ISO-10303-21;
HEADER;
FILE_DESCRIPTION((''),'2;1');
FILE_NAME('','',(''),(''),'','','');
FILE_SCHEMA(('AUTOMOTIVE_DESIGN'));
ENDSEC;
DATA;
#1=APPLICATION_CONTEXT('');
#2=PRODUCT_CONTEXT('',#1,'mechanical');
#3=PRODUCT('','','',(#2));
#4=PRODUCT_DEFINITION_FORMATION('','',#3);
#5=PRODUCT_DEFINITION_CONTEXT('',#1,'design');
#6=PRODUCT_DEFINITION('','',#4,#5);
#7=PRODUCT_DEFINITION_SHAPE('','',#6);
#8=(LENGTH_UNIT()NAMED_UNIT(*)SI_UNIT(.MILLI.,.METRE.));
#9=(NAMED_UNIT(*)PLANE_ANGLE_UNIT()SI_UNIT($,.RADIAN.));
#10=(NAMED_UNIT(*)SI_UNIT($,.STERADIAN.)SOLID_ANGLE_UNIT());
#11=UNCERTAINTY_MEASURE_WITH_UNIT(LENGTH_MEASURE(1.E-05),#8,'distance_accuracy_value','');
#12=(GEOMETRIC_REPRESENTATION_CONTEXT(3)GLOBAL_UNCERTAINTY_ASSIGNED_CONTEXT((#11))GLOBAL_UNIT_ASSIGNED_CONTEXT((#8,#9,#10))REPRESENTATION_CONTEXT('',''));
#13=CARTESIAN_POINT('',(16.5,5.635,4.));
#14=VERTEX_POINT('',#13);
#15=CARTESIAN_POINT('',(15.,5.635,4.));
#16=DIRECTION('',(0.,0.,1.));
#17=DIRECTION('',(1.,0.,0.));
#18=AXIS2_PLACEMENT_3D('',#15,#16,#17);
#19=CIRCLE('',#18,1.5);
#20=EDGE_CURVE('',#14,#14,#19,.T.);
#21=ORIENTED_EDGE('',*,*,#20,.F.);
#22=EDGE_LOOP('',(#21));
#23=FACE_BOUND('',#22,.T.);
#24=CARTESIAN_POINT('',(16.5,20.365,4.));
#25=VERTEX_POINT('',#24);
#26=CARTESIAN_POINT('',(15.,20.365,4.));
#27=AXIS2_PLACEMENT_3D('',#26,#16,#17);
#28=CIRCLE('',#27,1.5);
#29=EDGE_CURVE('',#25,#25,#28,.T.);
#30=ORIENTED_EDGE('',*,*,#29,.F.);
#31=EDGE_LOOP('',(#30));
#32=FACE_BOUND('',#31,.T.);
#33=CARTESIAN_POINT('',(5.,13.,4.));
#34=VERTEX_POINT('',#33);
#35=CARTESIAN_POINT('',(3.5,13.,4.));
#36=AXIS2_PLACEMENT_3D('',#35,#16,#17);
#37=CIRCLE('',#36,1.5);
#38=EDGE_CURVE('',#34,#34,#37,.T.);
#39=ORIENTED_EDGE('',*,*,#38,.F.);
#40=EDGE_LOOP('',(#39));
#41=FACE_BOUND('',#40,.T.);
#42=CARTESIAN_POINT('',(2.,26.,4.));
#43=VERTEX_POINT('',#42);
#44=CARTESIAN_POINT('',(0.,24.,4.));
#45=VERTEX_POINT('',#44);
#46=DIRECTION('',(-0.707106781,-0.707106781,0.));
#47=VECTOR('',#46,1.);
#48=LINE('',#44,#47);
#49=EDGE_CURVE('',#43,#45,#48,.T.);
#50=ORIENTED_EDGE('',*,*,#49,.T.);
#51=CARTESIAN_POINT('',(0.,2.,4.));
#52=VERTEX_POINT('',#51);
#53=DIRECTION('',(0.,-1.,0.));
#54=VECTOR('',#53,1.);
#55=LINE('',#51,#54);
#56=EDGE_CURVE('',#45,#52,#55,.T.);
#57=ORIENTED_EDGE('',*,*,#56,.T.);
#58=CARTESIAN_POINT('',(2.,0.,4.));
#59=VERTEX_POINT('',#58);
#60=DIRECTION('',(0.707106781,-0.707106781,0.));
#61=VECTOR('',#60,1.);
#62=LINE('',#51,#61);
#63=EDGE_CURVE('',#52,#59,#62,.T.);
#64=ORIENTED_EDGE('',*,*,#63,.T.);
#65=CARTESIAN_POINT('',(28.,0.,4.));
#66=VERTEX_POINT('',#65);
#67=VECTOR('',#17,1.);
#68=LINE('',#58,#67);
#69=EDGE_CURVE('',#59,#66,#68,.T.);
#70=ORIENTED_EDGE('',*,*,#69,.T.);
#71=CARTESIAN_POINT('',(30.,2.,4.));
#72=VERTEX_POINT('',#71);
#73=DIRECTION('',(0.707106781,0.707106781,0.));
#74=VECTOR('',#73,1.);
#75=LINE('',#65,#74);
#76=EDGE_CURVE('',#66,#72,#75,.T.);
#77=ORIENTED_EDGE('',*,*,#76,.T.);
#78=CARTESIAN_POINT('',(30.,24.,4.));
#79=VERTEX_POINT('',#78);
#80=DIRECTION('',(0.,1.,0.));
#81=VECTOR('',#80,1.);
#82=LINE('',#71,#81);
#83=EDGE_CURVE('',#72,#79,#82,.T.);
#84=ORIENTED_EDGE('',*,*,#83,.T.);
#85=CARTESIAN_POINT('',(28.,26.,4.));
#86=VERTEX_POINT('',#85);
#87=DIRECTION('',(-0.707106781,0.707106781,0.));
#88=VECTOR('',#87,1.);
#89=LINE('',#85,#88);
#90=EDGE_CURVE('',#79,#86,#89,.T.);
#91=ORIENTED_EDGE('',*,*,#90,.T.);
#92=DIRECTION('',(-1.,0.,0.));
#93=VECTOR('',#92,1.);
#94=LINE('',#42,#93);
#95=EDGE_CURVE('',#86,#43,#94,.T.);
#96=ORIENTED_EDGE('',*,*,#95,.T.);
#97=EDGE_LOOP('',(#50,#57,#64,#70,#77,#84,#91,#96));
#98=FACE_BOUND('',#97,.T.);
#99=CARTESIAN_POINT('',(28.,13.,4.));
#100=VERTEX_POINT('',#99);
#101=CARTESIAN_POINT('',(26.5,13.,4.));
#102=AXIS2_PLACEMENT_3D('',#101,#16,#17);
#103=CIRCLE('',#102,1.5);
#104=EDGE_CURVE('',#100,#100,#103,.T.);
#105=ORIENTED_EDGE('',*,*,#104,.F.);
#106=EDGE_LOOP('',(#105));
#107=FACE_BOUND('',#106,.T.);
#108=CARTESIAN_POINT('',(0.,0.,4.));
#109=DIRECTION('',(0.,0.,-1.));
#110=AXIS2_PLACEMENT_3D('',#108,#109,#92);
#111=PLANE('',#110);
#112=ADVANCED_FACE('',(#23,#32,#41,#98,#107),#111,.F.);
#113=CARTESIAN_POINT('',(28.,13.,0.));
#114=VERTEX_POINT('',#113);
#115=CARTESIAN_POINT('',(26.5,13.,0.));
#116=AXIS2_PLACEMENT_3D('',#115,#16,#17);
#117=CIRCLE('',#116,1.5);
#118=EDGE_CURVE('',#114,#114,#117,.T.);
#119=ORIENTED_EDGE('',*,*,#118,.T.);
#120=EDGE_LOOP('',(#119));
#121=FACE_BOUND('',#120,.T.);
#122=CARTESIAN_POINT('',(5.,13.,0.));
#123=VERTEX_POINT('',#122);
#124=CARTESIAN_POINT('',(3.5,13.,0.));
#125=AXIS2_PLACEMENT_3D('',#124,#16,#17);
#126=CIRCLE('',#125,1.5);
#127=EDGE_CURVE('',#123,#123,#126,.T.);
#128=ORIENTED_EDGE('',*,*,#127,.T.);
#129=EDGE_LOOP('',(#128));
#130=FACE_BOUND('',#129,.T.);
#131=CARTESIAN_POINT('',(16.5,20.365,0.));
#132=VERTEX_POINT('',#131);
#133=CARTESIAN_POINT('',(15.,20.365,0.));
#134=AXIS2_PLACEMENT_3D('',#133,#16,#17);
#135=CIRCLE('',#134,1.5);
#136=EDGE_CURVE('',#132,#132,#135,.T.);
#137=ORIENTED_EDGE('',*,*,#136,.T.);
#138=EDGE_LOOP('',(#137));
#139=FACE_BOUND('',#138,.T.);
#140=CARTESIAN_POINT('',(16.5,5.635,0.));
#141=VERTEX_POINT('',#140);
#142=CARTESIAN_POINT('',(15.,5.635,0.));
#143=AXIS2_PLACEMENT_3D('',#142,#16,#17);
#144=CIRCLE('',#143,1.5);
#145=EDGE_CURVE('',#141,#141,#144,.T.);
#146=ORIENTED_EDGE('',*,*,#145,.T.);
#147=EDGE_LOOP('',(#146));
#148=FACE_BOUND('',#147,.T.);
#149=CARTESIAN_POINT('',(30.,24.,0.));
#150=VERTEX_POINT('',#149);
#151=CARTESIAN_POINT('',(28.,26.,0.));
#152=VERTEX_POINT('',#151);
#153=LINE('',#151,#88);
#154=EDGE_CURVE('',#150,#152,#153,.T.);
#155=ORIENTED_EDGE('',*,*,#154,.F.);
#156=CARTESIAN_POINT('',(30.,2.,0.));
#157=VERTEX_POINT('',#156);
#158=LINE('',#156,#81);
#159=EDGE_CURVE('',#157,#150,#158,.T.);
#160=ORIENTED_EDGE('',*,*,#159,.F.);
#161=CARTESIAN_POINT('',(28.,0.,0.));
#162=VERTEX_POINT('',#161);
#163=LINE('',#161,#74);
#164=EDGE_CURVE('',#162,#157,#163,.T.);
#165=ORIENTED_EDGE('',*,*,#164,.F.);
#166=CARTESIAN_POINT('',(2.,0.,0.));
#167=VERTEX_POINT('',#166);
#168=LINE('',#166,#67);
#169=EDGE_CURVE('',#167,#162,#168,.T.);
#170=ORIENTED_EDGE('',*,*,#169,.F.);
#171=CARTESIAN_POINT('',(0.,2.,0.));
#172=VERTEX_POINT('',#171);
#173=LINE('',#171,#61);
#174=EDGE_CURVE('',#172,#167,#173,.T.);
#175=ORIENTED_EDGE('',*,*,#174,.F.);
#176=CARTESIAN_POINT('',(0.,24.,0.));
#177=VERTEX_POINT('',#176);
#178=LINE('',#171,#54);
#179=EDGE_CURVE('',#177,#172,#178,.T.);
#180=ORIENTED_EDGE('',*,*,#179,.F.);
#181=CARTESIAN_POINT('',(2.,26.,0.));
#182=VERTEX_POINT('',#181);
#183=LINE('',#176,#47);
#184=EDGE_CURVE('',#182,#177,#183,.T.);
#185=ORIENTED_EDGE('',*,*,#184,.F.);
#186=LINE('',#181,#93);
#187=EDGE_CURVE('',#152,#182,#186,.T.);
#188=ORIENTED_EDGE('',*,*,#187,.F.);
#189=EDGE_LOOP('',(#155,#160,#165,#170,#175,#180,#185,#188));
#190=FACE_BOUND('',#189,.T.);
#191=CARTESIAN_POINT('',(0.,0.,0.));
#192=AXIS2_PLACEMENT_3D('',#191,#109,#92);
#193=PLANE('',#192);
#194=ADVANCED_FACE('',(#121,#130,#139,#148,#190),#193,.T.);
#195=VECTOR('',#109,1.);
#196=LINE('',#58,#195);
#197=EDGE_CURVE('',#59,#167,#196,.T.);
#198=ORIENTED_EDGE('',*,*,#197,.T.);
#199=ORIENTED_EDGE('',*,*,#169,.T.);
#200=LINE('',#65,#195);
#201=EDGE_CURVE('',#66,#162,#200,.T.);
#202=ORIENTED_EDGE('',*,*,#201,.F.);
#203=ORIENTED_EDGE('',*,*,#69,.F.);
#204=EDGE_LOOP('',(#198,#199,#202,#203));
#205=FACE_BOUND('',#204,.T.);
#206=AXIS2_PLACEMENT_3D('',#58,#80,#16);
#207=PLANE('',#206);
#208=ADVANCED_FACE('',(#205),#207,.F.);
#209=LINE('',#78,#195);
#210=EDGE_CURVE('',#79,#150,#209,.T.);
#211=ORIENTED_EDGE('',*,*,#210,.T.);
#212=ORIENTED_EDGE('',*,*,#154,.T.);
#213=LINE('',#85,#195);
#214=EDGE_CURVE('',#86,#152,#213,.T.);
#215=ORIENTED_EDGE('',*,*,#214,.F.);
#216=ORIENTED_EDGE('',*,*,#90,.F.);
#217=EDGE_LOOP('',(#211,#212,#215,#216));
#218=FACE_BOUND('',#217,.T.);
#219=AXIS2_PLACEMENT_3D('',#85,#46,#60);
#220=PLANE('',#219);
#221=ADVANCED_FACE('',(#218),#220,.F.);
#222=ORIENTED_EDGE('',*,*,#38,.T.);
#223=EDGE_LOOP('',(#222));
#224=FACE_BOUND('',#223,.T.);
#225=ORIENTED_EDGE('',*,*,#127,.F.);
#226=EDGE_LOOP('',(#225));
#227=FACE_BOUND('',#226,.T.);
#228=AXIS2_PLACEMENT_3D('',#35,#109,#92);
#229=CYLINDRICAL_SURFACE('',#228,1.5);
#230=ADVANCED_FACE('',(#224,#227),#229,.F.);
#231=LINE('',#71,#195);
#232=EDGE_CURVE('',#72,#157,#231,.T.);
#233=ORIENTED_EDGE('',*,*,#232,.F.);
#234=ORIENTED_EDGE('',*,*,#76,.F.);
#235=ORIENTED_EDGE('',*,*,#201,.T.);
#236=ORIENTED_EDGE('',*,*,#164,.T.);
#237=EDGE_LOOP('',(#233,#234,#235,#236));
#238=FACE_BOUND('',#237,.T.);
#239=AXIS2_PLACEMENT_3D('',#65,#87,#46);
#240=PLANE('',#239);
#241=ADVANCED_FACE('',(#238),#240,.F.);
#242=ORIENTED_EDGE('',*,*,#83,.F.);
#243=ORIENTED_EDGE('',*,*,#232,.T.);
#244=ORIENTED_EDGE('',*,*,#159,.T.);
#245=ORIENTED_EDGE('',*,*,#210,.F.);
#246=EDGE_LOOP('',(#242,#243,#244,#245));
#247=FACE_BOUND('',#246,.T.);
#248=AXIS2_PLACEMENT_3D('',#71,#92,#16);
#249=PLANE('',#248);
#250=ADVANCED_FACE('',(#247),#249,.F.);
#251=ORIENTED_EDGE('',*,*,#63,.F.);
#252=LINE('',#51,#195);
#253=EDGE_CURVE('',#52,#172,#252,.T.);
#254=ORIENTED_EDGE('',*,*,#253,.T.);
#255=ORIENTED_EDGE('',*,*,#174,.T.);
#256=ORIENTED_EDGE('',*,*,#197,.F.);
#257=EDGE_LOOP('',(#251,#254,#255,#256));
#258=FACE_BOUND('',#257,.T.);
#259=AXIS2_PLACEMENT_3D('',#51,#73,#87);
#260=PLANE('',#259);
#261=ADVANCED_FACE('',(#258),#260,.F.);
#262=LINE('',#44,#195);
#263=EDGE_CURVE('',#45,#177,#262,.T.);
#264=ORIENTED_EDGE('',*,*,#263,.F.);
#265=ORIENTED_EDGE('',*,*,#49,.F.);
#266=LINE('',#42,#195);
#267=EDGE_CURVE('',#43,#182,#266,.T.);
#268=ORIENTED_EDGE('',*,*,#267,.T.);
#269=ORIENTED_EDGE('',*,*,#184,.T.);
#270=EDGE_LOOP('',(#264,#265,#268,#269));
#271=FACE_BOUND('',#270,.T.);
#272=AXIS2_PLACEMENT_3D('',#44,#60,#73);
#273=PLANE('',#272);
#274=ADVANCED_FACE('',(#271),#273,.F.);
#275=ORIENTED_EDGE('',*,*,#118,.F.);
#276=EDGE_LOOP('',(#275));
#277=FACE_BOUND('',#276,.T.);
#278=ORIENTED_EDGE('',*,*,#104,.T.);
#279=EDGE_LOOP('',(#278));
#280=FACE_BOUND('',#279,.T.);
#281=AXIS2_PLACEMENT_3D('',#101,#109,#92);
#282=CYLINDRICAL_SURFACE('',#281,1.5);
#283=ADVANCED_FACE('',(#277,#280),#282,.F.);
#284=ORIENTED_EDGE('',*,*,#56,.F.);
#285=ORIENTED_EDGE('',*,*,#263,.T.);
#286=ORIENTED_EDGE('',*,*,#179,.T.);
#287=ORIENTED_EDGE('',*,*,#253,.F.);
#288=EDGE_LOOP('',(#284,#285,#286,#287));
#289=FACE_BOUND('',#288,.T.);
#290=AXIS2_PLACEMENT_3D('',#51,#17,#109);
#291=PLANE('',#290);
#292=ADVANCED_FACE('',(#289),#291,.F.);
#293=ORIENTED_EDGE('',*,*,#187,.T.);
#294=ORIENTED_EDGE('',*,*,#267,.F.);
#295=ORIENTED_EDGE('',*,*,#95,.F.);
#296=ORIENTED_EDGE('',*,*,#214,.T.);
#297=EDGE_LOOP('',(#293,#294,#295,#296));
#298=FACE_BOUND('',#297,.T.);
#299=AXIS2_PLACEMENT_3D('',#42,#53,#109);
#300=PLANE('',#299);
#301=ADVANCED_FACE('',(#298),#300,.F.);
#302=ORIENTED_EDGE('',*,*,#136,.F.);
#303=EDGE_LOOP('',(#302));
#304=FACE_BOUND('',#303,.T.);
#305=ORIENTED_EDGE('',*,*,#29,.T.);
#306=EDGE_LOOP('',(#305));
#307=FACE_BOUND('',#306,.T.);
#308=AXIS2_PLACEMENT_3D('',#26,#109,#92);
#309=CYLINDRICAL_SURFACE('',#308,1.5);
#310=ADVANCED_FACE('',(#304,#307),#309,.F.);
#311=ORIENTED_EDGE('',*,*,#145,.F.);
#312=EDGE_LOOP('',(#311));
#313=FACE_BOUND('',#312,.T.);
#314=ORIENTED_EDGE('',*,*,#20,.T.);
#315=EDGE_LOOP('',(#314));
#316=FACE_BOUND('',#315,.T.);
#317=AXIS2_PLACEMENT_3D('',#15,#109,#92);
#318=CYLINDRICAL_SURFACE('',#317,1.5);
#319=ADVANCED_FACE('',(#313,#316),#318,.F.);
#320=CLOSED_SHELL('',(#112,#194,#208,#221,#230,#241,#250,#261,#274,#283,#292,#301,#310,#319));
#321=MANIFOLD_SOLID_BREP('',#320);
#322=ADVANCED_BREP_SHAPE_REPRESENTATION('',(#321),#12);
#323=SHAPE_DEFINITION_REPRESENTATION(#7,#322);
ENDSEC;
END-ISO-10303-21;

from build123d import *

# Parameters (mm, degrees)
SKETCH1_R           = 1.5
BOSS_EXTRUDE1_DEPTH = 4


with BuildPart() as part:
    # Sketch1 → Boss-Extrude1 (new body)
    with BuildSketch(Plane.XY):
        Polygon((0, 24), (2, 26), (28, 26), (30, 24), (30, 2), (28, 0), (2, 0), (0, 2), align=None)
        with Locations((3.5, 13)):
            Circle(SKETCH1_R, mode=Mode.SUBTRACT)
        with Locations((26.5, 13)):
            Circle(SKETCH1_R, mode=Mode.SUBTRACT)
        with Locations((15, 20.365)):
            Circle(SKETCH1_R, mode=Mode.SUBTRACT)
        with Locations((15, 5.635)):
            Circle(SKETCH1_R, mode=Mode.SUBTRACT)
    extrude(amount=BOSS_EXTRUDE1_DEPTH)


solid = part.part
